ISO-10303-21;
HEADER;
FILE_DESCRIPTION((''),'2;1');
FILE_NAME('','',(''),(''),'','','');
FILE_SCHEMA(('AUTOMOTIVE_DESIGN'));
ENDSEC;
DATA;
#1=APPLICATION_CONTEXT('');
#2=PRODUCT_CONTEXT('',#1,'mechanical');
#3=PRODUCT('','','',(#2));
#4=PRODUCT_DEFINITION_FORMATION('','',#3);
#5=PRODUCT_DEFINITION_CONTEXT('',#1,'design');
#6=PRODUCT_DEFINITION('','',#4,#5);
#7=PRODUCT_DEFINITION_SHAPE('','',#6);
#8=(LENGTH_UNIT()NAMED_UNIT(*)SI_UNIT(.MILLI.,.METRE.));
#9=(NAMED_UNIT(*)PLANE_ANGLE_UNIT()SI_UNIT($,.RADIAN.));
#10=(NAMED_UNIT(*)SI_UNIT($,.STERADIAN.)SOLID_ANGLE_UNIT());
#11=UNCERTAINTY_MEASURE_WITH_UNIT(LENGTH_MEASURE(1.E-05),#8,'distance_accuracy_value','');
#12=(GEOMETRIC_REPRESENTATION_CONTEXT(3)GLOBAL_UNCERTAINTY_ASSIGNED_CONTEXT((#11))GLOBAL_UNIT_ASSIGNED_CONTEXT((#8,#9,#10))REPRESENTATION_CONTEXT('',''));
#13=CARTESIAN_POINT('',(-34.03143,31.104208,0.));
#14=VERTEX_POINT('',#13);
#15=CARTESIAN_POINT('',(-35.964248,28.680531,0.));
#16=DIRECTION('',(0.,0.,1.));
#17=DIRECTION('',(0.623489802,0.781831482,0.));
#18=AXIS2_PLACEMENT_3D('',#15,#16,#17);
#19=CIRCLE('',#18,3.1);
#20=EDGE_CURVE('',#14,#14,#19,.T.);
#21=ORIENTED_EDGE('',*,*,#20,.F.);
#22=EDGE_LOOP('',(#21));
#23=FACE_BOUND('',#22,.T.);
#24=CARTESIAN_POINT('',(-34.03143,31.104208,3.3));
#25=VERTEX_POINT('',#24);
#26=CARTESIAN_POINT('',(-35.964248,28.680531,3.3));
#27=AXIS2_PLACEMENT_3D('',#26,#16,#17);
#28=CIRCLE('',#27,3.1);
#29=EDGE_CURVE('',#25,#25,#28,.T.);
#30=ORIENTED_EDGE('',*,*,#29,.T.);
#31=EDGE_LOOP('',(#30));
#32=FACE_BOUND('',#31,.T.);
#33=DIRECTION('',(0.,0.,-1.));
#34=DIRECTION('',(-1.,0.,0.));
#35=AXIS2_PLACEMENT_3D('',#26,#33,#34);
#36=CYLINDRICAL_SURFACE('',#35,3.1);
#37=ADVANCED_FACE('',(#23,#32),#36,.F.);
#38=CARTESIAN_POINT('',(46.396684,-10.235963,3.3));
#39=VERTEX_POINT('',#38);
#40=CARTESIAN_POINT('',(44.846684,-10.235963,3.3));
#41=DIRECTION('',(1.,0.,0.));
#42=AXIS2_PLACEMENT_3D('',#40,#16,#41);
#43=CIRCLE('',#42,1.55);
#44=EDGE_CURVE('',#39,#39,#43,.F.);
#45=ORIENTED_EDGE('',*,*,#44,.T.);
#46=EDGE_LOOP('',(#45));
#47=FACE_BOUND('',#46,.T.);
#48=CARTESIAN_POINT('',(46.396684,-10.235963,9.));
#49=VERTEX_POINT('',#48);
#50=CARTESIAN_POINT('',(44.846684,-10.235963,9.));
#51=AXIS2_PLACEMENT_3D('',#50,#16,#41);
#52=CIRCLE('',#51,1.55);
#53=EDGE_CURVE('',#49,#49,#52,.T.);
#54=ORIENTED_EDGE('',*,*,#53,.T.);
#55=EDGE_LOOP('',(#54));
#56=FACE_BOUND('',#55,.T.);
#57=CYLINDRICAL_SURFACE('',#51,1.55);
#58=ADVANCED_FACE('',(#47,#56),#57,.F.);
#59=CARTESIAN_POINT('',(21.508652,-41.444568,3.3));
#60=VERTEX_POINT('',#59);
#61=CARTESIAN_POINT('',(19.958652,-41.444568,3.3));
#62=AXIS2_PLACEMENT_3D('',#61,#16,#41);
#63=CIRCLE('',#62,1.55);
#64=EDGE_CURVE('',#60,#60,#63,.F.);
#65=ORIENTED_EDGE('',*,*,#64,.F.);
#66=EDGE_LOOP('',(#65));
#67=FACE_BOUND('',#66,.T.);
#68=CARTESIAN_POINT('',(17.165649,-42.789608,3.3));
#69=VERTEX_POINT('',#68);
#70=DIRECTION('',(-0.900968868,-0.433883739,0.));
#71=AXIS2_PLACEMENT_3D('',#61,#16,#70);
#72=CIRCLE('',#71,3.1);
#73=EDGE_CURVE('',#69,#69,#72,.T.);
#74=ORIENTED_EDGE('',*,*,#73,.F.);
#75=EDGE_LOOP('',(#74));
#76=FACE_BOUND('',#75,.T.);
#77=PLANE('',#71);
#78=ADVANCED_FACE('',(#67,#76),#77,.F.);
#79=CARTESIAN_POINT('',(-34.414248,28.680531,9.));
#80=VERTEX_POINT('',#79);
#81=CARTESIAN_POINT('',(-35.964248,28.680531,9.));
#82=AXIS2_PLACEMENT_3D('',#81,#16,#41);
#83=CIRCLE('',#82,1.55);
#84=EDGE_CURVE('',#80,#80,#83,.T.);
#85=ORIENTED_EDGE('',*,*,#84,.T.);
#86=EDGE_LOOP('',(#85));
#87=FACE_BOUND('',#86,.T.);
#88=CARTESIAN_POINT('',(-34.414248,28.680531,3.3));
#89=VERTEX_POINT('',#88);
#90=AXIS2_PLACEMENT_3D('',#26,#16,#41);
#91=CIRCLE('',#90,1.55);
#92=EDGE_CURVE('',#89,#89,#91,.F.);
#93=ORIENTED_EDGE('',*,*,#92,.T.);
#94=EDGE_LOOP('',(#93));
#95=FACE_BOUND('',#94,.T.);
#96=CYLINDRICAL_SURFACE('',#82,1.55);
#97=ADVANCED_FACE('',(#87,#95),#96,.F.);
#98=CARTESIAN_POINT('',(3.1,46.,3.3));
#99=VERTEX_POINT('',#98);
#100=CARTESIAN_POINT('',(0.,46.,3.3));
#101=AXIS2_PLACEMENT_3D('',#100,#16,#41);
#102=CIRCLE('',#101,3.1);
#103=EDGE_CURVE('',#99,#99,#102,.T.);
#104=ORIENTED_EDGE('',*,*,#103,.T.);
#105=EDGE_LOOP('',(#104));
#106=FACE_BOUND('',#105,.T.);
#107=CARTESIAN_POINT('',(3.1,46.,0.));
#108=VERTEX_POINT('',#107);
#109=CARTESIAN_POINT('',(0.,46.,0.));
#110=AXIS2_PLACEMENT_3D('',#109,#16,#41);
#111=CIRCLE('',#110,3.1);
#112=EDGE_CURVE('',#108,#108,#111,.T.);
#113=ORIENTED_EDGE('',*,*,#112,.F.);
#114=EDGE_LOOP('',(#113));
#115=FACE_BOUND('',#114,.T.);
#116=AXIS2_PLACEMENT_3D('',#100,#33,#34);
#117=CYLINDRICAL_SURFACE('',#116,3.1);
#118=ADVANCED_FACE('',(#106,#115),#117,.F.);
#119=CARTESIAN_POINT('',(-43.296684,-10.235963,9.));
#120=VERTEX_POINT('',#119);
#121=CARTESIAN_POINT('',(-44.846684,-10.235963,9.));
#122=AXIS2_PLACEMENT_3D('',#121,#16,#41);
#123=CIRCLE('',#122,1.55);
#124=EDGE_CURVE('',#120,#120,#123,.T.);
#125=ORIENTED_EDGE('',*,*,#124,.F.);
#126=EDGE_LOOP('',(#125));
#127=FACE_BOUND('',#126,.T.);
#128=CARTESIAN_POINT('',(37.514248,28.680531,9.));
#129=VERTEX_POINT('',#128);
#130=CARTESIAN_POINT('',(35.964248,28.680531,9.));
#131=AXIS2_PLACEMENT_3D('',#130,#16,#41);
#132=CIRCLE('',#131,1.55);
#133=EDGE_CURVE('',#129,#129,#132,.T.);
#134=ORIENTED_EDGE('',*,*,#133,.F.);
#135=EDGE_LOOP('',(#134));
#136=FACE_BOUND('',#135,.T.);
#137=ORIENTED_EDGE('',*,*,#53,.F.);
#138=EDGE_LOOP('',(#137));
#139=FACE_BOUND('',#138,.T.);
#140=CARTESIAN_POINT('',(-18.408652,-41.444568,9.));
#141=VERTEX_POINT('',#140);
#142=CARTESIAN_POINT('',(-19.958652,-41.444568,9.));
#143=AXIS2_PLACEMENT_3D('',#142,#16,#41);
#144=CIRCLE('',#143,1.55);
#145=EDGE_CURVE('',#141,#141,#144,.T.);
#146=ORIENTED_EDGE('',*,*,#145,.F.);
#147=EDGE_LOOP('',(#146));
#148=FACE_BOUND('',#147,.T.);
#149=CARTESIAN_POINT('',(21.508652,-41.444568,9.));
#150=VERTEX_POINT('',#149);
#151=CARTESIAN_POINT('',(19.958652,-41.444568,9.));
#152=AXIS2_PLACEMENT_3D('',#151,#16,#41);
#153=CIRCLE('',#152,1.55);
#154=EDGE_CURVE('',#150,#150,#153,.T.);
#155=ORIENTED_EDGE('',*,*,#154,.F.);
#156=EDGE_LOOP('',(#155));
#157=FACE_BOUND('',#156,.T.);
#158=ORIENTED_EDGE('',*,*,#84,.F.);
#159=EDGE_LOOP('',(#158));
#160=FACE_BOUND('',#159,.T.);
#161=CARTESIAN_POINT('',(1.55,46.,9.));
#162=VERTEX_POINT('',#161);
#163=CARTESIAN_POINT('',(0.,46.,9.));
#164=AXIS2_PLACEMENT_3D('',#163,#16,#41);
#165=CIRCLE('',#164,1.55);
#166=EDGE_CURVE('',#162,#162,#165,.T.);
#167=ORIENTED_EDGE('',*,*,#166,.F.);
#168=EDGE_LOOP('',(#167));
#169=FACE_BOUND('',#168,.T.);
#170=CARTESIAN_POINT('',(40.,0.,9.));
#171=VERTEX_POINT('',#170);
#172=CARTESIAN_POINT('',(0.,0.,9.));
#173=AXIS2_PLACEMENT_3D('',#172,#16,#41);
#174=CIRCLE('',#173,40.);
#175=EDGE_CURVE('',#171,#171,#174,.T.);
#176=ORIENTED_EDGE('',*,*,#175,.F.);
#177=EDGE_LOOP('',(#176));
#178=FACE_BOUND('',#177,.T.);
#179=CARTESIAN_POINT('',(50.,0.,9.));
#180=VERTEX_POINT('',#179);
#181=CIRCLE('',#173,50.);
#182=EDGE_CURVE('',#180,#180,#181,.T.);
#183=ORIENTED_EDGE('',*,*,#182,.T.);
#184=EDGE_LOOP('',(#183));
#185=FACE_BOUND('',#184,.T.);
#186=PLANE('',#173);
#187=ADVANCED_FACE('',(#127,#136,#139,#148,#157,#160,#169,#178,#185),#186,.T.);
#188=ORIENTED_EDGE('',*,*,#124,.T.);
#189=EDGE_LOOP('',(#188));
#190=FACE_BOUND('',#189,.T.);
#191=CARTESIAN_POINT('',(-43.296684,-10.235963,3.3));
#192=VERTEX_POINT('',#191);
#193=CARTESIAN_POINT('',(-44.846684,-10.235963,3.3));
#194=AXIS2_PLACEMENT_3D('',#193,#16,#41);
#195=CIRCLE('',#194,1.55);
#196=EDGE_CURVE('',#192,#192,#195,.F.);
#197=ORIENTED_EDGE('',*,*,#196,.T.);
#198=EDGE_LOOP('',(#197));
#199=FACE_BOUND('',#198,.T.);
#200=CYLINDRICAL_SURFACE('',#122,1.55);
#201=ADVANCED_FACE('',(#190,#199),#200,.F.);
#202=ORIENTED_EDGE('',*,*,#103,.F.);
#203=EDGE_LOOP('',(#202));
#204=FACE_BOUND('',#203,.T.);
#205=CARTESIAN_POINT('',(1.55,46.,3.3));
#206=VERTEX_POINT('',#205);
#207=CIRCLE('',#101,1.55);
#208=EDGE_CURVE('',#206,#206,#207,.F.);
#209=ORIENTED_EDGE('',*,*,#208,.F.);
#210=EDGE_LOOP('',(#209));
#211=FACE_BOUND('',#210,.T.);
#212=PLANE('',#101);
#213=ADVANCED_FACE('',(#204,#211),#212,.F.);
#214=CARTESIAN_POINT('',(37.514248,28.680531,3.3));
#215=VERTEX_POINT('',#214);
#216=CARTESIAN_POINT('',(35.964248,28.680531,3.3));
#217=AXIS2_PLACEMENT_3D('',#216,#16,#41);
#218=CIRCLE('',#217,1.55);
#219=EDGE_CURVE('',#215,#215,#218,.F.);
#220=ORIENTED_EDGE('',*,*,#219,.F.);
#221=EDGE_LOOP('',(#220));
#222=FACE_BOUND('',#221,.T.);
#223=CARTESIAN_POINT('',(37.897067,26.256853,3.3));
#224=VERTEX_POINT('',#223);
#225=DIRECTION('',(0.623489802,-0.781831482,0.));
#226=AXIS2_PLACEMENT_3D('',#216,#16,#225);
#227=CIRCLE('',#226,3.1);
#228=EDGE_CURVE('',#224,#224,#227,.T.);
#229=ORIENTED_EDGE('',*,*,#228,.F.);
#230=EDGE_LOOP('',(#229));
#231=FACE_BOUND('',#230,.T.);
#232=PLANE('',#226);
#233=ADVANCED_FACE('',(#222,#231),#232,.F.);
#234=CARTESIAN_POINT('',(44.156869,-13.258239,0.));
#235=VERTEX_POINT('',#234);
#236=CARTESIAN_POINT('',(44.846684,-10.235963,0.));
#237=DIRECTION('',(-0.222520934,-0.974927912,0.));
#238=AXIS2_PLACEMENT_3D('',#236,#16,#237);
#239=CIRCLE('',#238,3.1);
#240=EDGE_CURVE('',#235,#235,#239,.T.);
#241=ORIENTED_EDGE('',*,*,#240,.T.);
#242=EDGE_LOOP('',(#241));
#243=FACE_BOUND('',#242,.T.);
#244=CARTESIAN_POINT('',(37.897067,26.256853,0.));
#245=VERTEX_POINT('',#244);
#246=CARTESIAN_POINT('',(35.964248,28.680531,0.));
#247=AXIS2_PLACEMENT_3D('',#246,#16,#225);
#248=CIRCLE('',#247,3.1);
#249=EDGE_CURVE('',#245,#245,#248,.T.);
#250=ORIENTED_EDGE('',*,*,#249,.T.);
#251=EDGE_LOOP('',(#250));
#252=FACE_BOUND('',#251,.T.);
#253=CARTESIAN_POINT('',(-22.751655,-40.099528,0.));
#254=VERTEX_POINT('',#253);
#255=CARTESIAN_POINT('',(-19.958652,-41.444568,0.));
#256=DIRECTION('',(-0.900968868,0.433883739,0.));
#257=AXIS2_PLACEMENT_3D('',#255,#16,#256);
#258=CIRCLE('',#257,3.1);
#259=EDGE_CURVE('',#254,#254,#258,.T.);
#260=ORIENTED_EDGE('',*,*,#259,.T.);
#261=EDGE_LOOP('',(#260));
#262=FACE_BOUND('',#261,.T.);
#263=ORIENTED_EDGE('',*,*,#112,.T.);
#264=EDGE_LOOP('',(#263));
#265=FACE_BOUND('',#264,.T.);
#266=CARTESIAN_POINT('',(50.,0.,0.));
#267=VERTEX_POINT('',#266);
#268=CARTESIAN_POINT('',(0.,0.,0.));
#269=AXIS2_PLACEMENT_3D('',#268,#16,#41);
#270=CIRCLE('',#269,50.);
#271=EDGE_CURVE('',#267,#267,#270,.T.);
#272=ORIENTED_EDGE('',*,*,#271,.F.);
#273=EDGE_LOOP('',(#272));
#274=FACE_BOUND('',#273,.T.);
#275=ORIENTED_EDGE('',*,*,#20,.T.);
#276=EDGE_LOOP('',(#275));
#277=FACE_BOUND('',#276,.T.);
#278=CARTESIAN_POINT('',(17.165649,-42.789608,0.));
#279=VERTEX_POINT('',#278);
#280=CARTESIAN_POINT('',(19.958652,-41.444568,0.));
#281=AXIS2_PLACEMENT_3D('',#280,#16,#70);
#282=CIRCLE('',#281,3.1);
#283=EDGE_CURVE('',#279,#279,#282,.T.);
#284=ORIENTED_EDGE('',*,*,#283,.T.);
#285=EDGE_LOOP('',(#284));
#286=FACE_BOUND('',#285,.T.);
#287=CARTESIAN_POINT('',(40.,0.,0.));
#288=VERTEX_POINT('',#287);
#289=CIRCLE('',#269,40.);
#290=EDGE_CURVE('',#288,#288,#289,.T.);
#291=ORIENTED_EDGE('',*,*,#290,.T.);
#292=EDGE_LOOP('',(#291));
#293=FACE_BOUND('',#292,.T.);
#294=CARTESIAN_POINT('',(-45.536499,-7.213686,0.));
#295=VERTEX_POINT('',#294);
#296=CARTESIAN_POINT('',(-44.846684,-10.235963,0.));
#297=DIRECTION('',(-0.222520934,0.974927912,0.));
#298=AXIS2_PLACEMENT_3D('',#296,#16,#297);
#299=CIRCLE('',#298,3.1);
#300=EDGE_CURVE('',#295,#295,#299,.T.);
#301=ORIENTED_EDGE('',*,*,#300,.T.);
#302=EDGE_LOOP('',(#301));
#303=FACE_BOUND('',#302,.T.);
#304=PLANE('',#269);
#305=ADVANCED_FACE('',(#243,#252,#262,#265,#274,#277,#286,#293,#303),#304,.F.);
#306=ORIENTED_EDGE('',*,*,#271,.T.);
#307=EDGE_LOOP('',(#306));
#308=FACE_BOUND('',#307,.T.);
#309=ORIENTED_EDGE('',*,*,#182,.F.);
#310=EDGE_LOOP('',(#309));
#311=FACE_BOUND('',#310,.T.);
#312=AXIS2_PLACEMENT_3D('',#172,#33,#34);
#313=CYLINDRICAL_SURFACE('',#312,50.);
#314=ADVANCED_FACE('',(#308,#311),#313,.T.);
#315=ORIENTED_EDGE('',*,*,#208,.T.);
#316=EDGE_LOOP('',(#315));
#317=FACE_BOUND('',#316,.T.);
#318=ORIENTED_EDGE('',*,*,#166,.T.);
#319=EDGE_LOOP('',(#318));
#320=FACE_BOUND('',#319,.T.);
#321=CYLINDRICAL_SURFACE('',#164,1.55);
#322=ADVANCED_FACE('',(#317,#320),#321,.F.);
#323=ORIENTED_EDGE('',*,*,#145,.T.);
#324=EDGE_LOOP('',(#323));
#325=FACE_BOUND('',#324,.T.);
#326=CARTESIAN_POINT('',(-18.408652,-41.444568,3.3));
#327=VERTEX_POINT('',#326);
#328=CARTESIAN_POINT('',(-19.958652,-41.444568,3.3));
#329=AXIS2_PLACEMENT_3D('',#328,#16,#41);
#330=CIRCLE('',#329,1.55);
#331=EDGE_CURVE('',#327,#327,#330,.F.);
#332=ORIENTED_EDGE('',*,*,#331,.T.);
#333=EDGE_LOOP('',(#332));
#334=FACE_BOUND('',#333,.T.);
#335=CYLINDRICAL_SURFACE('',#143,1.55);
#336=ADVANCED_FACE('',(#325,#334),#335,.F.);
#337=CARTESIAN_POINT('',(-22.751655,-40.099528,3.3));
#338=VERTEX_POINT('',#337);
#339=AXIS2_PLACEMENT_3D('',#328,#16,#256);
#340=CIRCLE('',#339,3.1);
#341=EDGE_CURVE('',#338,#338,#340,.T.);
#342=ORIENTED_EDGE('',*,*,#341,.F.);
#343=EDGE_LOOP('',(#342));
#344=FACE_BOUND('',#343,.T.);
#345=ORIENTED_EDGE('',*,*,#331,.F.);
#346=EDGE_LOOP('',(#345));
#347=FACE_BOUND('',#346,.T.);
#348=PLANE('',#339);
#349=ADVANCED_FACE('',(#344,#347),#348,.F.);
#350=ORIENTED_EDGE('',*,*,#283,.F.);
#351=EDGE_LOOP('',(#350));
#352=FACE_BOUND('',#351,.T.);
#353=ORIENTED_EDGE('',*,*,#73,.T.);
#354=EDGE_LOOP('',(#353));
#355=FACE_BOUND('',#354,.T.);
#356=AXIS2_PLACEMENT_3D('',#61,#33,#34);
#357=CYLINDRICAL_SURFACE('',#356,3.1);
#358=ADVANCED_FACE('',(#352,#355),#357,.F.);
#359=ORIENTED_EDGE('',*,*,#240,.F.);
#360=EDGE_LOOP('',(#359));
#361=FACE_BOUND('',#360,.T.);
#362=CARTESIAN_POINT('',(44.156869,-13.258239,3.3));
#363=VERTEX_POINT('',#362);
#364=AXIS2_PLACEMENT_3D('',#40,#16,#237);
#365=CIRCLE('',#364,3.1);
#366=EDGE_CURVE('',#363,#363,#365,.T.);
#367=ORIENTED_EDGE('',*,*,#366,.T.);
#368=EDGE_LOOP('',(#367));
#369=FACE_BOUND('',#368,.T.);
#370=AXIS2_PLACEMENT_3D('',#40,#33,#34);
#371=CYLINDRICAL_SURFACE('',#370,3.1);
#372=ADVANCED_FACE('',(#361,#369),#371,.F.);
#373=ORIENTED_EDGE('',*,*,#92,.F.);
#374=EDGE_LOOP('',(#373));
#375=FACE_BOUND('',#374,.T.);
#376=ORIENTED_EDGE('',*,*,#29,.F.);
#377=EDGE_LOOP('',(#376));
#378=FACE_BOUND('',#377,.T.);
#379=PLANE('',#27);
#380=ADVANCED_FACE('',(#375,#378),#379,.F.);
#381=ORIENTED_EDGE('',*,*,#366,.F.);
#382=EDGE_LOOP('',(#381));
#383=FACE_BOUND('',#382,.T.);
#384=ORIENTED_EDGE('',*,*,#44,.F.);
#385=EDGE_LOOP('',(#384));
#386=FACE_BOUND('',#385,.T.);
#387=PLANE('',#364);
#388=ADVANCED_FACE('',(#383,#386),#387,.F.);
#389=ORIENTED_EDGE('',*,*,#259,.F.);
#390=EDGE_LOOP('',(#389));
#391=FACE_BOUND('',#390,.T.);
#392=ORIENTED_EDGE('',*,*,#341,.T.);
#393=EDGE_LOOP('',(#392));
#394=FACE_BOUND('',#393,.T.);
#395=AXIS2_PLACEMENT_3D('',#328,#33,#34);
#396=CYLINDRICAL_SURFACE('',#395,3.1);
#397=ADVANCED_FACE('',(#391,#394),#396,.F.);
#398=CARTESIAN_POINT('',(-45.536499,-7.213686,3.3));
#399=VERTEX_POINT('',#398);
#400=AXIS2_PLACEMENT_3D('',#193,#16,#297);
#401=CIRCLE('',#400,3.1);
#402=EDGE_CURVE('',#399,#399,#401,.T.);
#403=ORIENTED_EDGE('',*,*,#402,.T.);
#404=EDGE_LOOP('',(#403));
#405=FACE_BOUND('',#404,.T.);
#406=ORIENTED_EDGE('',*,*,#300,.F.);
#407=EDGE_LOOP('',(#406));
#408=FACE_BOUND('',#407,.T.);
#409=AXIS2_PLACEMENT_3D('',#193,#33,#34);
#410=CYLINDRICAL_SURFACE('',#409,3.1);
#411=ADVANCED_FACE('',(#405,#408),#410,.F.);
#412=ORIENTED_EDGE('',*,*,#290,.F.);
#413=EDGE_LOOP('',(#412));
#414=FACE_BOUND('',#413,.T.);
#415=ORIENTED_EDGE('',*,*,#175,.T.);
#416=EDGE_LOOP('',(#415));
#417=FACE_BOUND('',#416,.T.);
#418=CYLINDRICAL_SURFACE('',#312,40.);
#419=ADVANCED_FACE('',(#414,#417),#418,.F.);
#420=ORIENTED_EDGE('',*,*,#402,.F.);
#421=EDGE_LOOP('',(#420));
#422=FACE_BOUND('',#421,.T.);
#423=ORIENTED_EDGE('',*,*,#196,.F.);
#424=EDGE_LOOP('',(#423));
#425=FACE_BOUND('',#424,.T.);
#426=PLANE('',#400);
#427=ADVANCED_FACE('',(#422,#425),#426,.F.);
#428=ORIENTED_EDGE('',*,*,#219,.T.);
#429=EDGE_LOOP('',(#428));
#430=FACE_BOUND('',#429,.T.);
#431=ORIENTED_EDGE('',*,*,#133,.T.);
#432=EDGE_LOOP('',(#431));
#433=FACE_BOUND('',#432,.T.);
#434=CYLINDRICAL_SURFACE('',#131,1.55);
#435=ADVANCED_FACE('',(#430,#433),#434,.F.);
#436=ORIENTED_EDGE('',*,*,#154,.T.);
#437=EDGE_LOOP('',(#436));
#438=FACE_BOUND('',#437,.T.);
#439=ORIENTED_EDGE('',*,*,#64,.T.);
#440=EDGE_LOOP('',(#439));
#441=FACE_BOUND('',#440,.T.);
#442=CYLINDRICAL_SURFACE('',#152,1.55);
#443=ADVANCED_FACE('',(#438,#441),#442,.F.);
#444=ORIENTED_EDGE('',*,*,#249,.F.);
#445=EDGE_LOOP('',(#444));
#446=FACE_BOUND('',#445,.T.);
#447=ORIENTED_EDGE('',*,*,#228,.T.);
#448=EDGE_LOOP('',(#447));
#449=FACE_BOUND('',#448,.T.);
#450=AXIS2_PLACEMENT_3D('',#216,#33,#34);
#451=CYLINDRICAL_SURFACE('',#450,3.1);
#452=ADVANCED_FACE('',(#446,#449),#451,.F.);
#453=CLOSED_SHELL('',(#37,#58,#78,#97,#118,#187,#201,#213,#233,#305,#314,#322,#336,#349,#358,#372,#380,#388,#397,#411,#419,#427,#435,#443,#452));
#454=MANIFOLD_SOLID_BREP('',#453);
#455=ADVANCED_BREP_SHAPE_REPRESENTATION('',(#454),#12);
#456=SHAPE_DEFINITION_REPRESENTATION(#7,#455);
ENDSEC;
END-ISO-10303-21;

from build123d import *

# Parameters (mm, degrees)
SKIZZE1_R                        = 50
SKIZZE1_R_2                      = 40
AUFSATZ_LINEAR_AUSTRAGEN1_DEPTH  = 9
F_3_1_3_1_DURCHMESSER_BOHRUNG1_D = 3.1
KREISMUSTER1_COUNT               = 7
SKIZZE4_R                        = 3.1
SCHNITT_LINEAR_AUSTRAGEN1_DEPTH  = 3.3
KREISMUSTER2_COUNT               = 7


with BuildPart() as part:
    # Skizze1 → Aufsatz-Linear austragen1 (new body)
    with BuildSketch(Plane.XY):
        Circle(SKIZZE1_R)
        Circle(SKIZZE1_R_2, mode=Mode.SUBTRACT)
    extrude(amount=AUFSATZ_LINEAR_AUSTRAGEN1_DEPTH)

    # Ø3.1 (3.1) Durchmesser Bohrung1 (through all)
    with Locations(Plane.XY.offset(9)):
        with Locations((0, 46)):
            f_3_1_3_1_durchmesser_bohrung1 = Hole(F_3_1_3_1_DURCHMESSER_BOHRUNG1_D / 2)

    # Kreismuster1: Ø3.1 (3.1) Durchmesser Bohrung1 ×7 about axis
    kreismuster1_axis = Axis((0, 0, 0), (0, 0, 1))
    for i in range(1, KREISMUSTER1_COUNT):
        add(f_3_1_3_1_durchmesser_bohrung1.rotate(kreismuster1_axis, i * 360 / KREISMUSTER1_COUNT), mode=Mode.SUBTRACT)

    # Skizze4 → Schnitt-Linear austragen1 (cut)
    with BuildSketch(Plane.XY):
        with Locations((0, 46)):
            Circle(SKIZZE4_R)
    schnitt_linear_austragen1 = extrude(amount=SCHNITT_LINEAR_AUSTRAGEN1_DEPTH, mode=Mode.SUBTRACT)

    # Kreismuster2: Schnitt-Linear austragen1 ×7 about axis
    kreismuster2_axis = Axis((0, 0, 0), (0, 0, 1))
    for i in range(1, KREISMUSTER2_COUNT):
        add(schnitt_linear_austragen1.rotate(kreismuster2_axis, i * 360 / KREISMUSTER2_COUNT), mode=Mode.SUBTRACT)


solid = part.part
